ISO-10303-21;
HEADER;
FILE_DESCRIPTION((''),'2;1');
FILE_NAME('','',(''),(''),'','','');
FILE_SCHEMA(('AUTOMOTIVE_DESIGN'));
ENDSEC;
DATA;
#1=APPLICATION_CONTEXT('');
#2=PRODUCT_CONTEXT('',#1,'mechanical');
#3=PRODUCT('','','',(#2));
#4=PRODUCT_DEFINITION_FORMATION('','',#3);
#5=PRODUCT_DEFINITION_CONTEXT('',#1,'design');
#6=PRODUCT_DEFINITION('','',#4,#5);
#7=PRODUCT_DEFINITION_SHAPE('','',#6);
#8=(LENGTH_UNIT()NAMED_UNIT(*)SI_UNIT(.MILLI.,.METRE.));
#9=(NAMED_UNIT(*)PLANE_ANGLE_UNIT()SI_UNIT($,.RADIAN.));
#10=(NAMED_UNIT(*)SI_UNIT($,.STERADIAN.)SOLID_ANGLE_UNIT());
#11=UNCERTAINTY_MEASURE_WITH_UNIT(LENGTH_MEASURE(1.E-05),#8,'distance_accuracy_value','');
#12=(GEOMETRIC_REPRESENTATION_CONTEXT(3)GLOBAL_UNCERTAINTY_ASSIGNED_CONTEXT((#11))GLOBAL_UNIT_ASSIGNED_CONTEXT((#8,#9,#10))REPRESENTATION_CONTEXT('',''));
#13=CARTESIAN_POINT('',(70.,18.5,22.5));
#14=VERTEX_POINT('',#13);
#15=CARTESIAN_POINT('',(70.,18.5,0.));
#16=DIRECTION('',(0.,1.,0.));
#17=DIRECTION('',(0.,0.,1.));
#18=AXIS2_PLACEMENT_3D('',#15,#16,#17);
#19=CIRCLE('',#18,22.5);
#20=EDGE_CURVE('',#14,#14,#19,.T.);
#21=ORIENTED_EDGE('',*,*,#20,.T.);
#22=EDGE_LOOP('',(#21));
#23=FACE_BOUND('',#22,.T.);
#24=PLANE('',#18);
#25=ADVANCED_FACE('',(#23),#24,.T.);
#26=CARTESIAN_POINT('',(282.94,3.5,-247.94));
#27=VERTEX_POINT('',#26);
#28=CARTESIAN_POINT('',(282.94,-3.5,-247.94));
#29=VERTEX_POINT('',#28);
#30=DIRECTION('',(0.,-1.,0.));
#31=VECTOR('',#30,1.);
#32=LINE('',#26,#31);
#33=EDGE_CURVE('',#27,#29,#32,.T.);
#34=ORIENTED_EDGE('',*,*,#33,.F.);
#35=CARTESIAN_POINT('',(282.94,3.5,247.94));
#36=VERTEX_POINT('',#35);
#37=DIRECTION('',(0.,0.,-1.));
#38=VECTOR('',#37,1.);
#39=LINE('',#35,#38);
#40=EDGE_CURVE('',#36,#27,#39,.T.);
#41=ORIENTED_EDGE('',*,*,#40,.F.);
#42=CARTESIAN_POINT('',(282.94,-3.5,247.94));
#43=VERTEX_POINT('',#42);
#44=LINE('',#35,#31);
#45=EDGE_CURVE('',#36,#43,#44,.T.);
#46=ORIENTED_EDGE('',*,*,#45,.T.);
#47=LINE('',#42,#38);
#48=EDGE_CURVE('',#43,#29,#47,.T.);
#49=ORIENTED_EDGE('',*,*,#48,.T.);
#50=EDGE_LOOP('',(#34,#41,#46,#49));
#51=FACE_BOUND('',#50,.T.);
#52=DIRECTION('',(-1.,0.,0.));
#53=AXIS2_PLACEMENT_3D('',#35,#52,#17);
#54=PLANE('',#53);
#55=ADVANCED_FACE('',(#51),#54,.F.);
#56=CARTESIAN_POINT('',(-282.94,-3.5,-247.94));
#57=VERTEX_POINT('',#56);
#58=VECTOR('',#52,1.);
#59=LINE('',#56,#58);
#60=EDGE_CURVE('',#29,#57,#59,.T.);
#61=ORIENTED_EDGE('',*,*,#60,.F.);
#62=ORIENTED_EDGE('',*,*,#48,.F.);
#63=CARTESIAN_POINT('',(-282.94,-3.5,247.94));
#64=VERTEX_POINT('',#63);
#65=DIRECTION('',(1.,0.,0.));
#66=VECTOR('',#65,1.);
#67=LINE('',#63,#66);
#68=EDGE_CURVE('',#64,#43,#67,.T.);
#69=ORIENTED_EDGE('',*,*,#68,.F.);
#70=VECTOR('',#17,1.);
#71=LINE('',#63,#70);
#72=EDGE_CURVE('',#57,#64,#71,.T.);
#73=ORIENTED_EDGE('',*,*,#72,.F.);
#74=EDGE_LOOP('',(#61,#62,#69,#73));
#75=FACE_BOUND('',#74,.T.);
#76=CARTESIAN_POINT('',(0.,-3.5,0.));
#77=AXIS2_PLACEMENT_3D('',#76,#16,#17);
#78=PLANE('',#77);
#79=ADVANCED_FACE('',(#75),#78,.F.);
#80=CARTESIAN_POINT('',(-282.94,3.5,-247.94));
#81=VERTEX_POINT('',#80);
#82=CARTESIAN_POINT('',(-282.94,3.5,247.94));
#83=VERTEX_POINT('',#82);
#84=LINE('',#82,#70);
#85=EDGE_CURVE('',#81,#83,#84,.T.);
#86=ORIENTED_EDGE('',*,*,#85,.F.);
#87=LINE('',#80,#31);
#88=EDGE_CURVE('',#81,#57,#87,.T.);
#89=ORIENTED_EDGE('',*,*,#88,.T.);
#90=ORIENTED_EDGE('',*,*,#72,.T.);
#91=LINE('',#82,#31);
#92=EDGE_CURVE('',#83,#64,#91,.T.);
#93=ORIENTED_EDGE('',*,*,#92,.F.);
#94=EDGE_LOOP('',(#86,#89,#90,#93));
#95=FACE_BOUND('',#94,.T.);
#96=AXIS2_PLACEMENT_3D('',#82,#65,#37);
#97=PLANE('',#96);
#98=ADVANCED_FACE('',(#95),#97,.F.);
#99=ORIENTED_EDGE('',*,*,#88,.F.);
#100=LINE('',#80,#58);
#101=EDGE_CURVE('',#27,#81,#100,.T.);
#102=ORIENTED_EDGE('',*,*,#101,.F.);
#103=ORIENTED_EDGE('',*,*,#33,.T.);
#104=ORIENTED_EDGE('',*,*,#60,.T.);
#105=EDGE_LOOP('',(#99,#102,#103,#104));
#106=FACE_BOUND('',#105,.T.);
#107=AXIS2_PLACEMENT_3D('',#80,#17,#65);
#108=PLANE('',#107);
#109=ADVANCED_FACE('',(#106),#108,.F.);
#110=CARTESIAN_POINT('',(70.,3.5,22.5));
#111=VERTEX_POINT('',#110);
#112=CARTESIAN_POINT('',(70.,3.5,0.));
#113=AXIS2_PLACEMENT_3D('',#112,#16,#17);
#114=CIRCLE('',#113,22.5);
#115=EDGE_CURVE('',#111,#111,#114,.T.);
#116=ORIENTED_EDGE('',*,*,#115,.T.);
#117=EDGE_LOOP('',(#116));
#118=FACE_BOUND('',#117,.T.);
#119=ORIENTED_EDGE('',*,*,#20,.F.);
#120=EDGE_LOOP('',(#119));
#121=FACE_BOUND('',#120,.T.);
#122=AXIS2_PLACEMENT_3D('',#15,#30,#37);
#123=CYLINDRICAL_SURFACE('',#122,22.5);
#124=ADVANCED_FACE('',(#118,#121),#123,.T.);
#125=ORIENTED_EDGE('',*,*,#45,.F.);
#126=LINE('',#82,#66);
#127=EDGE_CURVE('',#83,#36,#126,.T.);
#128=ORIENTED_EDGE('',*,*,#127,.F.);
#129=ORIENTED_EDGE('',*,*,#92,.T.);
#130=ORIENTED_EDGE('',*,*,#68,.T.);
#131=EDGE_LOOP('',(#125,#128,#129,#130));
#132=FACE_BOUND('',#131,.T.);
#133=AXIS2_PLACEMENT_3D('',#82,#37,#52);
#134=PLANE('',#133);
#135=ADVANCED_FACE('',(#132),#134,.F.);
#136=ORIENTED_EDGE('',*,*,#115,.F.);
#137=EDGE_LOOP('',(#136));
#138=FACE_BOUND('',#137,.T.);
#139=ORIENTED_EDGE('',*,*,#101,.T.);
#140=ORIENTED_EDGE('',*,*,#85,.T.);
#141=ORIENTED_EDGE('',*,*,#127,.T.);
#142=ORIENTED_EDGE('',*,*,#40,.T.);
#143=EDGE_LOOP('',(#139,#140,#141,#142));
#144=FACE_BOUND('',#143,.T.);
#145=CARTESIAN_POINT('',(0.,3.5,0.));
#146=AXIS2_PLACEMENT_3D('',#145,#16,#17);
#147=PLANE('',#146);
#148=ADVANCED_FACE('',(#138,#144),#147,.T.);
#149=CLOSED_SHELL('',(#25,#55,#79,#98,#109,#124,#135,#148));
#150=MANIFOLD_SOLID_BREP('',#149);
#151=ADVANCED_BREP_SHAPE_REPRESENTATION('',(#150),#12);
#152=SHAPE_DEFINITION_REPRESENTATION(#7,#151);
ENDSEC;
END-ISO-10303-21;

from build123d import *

# Parameters (mm, degrees)
SKETCH1_W           = 565.88
SKETCH1_H           = 495.88
BOSS_EXTRUDE1_DEPTH = 3.5
SKETCH2_R           = 22.5
BOSS_EXTRUDE2_DEPTH = 15


with BuildPart() as part:
    # Sketch1 → Boss-Extrude1 (new, symmetric)
    with BuildSketch(Plane(origin=(0, 0, 0), x_dir=(1, 0, 0), z_dir=(0, 1, 0))):
        Rectangle(SKETCH1_W, SKETCH1_H)
    extrude(amount=BOSS_EXTRUDE1_DEPTH, both=True)

    # Sketch2 → Boss-Extrude2 (add)
    with BuildSketch(Plane(origin=(0, 3.5, 0), x_dir=(1, 0, 0), z_dir=(0, 1, 0))):
        with Locations(Location((70, 0, 0), (0, 0, 270))):
            Circle(SKETCH2_R)
    extrude(amount=BOSS_EXTRUDE2_DEPTH)


solid = part.part
